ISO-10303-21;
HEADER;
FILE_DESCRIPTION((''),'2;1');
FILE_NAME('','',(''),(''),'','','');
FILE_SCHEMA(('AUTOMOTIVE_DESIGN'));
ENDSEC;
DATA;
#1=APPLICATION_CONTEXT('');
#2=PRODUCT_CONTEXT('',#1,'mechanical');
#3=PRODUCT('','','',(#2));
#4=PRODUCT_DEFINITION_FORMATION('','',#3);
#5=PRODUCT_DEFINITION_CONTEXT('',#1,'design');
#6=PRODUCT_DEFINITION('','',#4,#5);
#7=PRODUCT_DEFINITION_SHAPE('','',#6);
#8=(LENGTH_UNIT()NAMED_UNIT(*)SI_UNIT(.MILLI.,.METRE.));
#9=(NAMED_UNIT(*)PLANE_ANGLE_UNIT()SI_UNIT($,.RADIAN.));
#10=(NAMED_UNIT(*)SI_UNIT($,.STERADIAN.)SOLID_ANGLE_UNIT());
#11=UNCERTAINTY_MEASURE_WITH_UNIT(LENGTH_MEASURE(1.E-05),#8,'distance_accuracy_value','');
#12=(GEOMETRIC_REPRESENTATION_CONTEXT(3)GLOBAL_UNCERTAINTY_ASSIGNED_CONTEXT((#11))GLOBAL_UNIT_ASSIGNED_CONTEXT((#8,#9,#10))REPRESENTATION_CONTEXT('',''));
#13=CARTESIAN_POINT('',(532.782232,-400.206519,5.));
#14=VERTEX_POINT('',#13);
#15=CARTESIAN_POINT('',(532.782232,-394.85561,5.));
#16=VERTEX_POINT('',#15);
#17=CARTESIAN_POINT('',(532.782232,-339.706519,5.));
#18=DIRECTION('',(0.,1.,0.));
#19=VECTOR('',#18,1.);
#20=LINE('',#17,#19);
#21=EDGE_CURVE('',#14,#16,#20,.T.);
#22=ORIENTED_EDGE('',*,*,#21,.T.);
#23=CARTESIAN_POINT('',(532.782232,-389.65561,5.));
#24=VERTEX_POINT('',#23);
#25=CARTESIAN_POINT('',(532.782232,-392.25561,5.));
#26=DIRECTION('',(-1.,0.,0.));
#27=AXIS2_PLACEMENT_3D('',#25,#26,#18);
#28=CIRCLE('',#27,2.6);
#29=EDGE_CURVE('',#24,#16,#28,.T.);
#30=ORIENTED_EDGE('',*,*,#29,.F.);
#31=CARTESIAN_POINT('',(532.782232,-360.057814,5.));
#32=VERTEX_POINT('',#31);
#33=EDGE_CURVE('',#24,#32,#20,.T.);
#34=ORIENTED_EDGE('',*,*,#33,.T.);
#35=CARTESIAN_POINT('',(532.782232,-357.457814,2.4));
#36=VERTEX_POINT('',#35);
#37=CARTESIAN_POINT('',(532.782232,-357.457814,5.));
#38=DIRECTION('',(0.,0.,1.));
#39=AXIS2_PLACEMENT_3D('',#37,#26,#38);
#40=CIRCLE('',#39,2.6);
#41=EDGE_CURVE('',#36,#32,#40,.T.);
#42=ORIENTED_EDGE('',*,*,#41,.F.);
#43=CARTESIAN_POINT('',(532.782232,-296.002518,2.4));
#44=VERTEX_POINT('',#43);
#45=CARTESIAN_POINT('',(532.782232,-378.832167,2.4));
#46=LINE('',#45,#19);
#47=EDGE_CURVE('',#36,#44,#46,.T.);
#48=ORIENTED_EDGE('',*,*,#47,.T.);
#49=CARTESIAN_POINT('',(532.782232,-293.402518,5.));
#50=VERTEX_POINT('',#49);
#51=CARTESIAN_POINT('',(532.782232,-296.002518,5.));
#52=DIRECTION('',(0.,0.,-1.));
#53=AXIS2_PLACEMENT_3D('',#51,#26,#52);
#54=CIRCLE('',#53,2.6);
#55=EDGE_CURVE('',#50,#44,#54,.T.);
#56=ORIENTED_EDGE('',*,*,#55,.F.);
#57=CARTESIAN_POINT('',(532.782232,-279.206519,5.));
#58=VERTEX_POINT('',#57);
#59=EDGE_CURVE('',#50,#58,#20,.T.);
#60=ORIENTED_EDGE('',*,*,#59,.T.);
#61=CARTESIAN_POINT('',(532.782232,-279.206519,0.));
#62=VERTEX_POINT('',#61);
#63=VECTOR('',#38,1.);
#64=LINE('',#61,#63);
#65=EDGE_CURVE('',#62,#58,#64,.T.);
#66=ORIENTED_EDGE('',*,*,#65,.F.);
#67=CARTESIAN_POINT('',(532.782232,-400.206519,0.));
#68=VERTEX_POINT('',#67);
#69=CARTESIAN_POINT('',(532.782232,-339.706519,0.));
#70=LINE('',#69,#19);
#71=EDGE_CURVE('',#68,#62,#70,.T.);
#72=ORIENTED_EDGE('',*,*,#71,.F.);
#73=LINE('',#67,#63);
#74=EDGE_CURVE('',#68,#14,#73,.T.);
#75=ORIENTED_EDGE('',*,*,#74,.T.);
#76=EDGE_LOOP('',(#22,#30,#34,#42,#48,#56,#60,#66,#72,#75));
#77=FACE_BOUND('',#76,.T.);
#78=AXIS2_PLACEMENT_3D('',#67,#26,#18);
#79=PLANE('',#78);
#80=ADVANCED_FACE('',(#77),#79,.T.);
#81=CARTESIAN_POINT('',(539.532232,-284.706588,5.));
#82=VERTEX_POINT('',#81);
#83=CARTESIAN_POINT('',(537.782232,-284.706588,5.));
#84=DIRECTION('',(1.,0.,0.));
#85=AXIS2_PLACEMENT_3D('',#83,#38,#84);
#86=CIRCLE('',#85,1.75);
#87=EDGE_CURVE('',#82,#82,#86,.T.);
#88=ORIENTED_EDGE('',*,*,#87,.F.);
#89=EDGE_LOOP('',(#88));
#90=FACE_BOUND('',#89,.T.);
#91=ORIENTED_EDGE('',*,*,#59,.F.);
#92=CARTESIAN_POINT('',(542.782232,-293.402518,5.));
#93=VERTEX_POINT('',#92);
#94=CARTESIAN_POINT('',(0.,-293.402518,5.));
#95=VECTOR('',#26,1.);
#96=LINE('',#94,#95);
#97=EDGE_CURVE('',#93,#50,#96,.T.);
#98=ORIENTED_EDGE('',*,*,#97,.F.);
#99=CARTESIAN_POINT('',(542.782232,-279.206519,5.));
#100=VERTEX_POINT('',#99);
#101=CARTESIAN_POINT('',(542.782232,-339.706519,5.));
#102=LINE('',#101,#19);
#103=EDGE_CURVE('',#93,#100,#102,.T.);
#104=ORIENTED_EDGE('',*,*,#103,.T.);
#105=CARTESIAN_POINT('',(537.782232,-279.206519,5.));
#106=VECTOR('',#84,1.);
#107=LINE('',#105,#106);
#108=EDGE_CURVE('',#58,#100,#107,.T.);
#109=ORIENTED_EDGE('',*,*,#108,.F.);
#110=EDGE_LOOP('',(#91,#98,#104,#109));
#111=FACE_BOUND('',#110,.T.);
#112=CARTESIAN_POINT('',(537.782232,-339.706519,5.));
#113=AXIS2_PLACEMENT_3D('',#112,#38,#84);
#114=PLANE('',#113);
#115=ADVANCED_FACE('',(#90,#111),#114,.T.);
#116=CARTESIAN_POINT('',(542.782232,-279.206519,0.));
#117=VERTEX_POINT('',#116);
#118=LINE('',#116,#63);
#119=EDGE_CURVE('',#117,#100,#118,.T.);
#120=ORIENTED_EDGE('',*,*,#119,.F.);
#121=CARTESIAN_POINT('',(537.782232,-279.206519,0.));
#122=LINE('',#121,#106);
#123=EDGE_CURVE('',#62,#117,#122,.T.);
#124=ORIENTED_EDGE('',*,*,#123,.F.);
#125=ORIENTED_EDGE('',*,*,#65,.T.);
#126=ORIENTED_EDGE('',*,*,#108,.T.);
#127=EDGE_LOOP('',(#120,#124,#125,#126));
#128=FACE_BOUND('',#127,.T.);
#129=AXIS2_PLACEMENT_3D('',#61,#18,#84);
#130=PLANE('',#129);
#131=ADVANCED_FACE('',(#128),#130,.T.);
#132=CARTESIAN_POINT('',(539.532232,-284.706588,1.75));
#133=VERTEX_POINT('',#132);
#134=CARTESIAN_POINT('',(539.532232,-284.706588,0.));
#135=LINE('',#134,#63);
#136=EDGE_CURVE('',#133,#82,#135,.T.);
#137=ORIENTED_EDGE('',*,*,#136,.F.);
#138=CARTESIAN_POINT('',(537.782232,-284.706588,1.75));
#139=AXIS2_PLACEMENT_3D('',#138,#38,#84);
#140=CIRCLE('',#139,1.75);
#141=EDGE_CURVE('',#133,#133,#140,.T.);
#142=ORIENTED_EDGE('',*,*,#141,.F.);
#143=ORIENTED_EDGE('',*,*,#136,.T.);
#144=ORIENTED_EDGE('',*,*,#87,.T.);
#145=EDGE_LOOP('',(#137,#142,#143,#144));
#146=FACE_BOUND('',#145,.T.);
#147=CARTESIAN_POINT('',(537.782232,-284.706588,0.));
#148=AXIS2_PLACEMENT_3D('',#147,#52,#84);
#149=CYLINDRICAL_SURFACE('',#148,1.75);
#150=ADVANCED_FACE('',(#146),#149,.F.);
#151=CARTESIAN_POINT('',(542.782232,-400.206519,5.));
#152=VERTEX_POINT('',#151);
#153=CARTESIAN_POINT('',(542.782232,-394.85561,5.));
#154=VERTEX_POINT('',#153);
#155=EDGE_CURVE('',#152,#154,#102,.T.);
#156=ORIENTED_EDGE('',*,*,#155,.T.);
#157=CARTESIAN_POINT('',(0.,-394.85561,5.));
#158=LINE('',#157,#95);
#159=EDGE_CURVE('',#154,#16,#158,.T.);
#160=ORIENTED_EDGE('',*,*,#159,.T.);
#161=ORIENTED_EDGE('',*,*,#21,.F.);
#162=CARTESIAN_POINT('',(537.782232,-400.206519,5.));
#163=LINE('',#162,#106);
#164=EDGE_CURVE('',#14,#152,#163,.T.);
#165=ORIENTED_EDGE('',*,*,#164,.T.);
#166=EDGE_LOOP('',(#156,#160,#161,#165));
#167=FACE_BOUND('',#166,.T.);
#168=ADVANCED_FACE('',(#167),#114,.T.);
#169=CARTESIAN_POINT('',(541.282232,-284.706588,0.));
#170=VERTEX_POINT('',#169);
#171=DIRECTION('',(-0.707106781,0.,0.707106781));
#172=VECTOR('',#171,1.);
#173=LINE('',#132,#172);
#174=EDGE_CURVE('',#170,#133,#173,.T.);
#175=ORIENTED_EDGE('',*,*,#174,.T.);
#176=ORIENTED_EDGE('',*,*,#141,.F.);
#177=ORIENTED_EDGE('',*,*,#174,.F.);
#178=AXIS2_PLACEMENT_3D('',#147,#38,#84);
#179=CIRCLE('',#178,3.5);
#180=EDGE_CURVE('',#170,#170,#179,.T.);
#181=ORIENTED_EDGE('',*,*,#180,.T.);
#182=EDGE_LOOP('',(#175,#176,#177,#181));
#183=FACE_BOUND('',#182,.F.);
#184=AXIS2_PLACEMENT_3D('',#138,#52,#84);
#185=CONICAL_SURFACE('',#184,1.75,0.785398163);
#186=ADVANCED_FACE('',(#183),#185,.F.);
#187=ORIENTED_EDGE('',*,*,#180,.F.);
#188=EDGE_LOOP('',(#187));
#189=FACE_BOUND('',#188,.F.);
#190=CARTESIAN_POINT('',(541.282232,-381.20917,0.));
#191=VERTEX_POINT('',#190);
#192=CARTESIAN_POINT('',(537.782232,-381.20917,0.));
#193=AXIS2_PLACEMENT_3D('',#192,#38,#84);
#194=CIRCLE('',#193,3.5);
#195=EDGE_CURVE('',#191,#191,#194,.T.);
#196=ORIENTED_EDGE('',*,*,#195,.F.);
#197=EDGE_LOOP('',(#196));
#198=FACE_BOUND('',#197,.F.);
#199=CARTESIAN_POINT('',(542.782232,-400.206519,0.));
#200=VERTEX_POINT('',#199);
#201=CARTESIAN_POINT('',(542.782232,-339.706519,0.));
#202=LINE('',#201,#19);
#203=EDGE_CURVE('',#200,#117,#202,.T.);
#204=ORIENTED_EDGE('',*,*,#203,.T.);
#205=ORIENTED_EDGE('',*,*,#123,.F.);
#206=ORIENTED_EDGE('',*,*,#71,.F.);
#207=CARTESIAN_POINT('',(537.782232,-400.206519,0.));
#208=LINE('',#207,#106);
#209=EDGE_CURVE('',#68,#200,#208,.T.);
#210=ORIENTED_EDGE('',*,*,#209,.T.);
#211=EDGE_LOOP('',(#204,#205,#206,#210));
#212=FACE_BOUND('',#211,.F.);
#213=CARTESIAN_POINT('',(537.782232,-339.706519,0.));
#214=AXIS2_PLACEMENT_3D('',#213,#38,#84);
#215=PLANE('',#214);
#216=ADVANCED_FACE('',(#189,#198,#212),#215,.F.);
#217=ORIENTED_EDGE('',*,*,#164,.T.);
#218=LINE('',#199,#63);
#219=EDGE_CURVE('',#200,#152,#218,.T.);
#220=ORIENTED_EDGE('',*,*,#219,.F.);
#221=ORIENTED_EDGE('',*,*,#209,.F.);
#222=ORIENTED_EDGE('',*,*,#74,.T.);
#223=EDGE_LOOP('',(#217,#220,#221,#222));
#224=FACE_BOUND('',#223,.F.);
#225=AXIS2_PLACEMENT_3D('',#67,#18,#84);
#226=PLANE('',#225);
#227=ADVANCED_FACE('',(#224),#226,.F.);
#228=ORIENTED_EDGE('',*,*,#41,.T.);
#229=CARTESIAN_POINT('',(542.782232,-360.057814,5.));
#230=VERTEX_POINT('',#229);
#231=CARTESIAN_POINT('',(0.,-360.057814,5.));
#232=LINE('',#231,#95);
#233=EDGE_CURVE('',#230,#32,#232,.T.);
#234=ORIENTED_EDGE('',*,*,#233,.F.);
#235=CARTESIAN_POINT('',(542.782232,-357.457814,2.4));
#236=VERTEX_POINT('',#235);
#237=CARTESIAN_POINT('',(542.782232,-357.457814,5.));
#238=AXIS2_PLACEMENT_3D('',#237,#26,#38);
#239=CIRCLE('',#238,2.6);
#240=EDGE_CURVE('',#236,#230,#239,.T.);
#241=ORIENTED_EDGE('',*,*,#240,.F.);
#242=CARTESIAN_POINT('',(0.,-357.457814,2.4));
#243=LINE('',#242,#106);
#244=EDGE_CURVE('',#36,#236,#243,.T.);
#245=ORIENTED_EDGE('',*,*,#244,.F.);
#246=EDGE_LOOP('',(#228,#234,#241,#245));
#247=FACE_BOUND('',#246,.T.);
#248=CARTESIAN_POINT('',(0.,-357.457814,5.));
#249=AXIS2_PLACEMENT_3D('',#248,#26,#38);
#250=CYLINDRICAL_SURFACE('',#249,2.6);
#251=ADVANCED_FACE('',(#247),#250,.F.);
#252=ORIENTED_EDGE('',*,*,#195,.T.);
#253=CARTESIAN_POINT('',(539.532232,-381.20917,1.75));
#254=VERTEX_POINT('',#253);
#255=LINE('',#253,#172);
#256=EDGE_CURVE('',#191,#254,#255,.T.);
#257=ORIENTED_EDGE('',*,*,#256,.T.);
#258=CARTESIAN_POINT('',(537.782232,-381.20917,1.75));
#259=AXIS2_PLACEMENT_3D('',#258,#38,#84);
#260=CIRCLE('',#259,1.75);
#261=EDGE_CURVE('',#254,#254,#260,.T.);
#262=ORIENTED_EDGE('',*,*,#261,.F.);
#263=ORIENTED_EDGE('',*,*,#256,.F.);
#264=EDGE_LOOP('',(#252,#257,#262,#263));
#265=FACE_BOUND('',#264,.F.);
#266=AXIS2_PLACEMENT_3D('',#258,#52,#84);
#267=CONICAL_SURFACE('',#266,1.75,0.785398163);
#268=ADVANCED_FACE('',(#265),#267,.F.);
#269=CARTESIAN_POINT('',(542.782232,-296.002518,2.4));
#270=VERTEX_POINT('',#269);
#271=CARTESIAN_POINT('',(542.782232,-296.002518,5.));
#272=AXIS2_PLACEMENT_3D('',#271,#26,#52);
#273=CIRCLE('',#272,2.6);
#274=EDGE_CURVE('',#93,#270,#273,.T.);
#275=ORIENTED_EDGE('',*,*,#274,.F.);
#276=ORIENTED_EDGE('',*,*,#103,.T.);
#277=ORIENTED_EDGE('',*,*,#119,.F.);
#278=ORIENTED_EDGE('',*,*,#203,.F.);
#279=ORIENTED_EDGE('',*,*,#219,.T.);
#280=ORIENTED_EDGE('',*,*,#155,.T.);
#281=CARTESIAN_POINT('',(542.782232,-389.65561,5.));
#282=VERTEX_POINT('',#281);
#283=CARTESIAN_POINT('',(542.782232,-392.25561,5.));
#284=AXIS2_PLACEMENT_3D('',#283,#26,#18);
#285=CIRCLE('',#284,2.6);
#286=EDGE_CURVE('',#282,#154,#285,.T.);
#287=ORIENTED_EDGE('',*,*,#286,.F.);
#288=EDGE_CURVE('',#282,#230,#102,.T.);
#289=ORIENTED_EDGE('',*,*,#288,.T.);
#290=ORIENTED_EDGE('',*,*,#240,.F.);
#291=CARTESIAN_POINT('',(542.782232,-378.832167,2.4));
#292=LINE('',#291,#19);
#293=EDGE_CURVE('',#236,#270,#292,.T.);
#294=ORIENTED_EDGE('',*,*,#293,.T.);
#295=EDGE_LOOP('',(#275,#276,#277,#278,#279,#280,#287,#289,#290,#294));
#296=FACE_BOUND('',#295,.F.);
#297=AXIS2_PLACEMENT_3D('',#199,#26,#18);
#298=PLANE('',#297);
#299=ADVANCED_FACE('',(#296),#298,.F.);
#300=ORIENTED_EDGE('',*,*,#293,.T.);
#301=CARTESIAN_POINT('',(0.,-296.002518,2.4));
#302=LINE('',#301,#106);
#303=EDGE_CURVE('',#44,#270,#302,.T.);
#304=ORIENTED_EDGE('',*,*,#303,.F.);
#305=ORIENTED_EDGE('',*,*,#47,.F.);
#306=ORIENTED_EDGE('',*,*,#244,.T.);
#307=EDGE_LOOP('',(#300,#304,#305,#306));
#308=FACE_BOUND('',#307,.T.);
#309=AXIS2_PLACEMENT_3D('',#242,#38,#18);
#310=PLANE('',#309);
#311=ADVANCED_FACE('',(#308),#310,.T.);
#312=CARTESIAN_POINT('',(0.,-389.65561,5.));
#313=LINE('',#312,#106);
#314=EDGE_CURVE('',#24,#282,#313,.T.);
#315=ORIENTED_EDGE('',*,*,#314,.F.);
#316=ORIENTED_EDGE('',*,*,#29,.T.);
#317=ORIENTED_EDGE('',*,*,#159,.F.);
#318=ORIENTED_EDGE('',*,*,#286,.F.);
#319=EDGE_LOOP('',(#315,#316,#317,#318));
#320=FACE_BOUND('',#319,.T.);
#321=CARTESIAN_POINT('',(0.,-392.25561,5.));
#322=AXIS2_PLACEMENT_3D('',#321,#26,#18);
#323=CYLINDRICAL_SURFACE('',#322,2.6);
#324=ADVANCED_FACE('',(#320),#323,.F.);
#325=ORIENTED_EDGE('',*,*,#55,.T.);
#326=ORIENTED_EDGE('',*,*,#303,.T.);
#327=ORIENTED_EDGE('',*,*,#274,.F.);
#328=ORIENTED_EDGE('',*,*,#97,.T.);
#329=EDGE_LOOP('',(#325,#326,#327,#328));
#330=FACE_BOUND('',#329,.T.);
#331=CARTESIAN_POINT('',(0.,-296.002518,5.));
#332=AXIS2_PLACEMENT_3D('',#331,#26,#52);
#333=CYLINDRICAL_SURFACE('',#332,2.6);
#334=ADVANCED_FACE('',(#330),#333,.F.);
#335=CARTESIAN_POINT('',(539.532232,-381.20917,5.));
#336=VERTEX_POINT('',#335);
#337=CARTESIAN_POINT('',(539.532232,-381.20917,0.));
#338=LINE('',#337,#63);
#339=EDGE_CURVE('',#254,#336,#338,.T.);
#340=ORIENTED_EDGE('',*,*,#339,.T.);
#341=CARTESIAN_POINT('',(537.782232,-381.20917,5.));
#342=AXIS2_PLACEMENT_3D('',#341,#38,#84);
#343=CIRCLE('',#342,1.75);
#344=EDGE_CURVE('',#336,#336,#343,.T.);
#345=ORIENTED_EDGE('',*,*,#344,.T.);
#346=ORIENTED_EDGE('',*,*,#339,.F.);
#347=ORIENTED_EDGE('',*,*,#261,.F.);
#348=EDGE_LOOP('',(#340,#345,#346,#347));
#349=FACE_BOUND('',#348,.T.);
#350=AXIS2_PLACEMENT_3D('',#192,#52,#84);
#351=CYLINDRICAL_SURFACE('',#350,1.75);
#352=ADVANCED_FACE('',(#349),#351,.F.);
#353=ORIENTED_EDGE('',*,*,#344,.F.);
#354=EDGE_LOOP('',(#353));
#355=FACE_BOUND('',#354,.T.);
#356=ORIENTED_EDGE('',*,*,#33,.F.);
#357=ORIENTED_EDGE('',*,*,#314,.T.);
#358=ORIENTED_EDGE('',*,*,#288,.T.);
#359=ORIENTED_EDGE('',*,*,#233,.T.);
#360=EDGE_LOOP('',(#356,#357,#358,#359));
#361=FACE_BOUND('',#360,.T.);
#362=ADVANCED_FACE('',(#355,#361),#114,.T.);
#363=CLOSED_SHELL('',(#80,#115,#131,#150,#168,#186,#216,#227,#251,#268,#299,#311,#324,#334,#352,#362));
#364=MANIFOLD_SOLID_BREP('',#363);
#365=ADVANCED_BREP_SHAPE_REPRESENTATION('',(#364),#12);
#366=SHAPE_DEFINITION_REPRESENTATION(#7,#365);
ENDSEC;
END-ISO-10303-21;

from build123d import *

# Parameters (mm, degrees)
SKETCH055_W          = 10
SKETCH055_H          = 121
SKETCH055_R          = 1.75
PAD026_DEPTH         = 5
SKETCH056_R          = 2.6
POCKET026_DEPTH      = 0.001
POCKET026_DEPTH_BACK = 542.783232
CHAMFER002_SIZE      = 1.75


with BuildPart() as part:
    # Sketch055 → Pad026 (new body)
    with BuildSketch(Plane.XY):
        with Locations((537.782232, -339.706519)):
            Rectangle(SKETCH055_W, SKETCH055_H)
        with Locations((537.782232, -381.20917)):
            Circle(SKETCH055_R, mode=Mode.SUBTRACT)
        with Locations((537.782232, -284.706588)):
            Circle(SKETCH055_R, mode=Mode.SUBTRACT)
    extrude(amount=PAD026_DEPTH)

    # Sketch056 → Pocket026 (cut, two sides)
    with BuildSketch(Plane.YZ) as pocket026_sk:
        with Locations((-392.25561, 5)):
            Circle(SKETCH056_R)
        with BuildLine():
            ThreePointArc((-357.457814, 7.6), (-360.057814, 5), (-357.457814, 2.4))
            Line((-357.457814, 2.4), (-296.002518, 2.4))
            ThreePointArc((-296.002518, 2.4), (-293.402518, 5), (-296.002518, 7.6))
            Line((-357.457814, 7.6), (-296.002518, 7.6))
        make_face()
    extrude(amount=-POCKET026_DEPTH, mode=Mode.SUBTRACT)
    extrude(pocket026_sk.sketch, amount=POCKET026_DEPTH_BACK, mode=Mode.SUBTRACT)

    # Chamfer002
    chamfer002_edges = [part.edges().sort_by_distance(p)[0] for p in [
        (536.032232, -381.20917, 0),
        (536.032232, -284.706588, 0),
    ]]
    chamfer(chamfer002_edges, length=CHAMFER002_SIZE)


solid = part.part
